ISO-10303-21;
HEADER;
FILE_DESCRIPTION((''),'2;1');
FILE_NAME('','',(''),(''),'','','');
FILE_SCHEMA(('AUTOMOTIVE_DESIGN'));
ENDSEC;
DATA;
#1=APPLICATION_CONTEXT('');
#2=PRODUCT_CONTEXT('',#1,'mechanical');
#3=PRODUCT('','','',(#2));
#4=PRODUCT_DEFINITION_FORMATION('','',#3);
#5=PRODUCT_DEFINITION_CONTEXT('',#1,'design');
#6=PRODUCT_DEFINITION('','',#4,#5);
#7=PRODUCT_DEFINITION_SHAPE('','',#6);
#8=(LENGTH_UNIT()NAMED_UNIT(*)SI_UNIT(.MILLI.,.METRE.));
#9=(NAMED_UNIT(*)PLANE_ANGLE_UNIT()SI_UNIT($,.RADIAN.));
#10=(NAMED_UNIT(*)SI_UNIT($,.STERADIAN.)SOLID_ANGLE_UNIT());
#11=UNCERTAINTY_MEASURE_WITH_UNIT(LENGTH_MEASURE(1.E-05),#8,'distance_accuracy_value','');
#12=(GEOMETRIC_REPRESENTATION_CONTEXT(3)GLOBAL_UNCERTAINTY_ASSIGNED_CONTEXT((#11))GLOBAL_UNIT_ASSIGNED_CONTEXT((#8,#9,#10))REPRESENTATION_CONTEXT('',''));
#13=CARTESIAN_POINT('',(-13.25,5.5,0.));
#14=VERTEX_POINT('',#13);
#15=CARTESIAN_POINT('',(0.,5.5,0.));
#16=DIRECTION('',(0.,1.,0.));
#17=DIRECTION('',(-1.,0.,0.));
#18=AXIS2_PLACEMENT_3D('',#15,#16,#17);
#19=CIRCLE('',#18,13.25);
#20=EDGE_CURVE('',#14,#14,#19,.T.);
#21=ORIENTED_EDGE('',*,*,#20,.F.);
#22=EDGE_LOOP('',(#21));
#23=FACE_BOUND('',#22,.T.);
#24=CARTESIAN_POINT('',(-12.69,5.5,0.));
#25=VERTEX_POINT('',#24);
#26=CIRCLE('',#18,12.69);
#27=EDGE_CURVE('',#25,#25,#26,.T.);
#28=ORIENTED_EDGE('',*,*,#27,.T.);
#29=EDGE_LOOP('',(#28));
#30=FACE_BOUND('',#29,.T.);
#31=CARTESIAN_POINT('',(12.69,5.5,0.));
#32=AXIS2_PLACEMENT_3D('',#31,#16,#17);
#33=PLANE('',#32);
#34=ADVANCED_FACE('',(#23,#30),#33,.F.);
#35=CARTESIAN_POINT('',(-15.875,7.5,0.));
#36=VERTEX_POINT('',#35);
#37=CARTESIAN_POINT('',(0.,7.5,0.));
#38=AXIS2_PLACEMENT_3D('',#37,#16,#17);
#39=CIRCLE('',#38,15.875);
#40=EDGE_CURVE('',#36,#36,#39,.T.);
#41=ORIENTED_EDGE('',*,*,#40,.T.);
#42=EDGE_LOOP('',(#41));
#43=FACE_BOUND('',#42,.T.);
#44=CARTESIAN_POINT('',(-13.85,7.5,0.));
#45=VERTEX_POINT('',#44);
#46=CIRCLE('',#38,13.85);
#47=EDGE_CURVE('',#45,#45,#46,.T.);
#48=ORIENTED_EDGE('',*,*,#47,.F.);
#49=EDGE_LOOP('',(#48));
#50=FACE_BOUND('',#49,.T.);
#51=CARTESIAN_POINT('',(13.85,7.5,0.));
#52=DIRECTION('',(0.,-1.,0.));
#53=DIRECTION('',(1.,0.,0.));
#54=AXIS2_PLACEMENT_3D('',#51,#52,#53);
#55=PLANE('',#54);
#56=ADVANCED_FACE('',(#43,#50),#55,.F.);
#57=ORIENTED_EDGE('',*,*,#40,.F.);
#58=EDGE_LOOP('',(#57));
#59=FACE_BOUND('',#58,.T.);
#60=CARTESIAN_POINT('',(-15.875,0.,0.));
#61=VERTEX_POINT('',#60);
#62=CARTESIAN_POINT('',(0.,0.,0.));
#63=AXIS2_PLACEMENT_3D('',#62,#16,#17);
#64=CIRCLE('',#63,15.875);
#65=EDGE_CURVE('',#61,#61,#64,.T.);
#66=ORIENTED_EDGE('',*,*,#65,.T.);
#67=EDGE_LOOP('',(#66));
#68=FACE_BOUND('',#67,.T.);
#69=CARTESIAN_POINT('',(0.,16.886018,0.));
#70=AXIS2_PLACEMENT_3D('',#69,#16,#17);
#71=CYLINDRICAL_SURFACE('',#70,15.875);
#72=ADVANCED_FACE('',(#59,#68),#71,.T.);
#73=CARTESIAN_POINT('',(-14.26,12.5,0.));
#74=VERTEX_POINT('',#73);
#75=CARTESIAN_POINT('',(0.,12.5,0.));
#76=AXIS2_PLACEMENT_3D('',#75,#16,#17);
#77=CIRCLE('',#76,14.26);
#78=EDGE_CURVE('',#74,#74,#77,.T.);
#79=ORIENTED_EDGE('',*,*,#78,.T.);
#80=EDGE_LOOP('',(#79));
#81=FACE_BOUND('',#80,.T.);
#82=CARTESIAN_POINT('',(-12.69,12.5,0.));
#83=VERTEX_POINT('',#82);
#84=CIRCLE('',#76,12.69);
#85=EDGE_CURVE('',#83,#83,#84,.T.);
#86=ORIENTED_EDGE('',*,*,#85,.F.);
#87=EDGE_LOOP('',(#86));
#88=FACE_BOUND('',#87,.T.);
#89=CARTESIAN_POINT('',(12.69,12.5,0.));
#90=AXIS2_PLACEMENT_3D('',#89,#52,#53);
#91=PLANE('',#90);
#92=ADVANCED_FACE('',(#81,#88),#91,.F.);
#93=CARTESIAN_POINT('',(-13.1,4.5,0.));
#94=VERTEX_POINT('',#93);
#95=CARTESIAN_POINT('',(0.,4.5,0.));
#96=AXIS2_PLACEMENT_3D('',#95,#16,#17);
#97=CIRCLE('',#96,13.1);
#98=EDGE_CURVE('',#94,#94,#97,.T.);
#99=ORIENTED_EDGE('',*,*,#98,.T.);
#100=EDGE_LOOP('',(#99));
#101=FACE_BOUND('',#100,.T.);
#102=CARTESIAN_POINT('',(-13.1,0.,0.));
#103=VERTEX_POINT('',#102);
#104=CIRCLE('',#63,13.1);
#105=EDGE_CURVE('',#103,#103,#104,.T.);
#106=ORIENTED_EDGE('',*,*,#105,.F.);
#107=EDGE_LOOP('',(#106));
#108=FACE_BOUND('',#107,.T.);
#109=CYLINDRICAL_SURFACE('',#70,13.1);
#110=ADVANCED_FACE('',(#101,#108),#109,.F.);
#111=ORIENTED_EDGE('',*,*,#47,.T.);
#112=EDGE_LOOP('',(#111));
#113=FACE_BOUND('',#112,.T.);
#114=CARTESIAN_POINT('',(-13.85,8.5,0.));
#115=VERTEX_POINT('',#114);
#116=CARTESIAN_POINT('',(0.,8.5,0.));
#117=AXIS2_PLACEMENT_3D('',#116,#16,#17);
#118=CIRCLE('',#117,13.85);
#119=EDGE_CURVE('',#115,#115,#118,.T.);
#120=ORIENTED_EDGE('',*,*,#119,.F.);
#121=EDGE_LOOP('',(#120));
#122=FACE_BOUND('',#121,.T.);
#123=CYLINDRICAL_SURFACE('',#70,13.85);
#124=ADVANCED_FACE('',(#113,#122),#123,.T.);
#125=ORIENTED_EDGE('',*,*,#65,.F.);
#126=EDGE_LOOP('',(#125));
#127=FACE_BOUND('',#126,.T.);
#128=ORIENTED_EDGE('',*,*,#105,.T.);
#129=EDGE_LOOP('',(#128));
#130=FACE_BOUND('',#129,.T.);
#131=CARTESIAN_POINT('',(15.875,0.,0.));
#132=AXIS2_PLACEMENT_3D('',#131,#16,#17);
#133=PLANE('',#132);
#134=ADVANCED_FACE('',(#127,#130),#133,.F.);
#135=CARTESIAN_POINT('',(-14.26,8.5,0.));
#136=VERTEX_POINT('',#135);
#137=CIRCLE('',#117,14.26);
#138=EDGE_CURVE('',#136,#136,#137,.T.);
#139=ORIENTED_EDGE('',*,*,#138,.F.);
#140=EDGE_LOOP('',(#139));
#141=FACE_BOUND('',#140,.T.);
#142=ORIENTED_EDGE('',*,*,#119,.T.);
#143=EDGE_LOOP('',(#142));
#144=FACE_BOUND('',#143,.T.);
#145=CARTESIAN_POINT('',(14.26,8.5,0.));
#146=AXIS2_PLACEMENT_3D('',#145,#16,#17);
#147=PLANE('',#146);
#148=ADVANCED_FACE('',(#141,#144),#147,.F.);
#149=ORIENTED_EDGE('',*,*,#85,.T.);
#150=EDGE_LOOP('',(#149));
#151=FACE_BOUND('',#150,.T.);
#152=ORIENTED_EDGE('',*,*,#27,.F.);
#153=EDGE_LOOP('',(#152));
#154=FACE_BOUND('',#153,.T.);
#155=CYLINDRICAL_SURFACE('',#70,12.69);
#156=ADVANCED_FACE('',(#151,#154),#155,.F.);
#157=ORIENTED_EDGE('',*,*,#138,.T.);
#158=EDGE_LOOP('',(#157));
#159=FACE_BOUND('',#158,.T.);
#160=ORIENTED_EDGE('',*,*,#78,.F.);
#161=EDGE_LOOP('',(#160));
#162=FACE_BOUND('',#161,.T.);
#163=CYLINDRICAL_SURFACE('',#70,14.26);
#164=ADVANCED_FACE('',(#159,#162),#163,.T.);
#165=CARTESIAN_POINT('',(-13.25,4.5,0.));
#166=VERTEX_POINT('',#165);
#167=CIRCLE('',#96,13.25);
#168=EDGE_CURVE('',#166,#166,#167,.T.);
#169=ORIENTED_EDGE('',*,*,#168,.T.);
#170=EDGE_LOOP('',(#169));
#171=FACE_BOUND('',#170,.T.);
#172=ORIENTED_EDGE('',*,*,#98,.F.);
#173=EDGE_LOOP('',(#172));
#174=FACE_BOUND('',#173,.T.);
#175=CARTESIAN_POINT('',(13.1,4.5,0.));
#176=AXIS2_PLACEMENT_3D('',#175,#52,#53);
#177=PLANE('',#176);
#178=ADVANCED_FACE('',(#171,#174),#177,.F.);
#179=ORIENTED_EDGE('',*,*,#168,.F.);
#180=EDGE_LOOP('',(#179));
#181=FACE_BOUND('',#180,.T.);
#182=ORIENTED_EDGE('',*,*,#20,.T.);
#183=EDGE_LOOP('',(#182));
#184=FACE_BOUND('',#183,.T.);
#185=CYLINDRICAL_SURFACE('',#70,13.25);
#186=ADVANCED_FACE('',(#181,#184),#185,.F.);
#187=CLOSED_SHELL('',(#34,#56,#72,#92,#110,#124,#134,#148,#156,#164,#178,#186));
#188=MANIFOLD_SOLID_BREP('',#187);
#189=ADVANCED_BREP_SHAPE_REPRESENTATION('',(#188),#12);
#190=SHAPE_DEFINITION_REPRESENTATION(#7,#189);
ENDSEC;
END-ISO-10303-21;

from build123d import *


with BuildPart() as part:
    # 草图1 → 旋转1 (revolve)
    with BuildSketch(Plane.XY, mode=Mode.PRIVATE) as revolve_1_sk:
        Polygon((13.1, 0), (13.1, 4.5), (13.25, 4.5), (13.25, 5.5), (12.69, 5.5), (12.69, 12.5), (14.26, 12.5), (14.26, 8.5), (13.85, 8.5), (13.85, 7.5), (15.875, 7.5), (15.875, 0), align=None)
    revolve(revolve_1_sk.sketch.rotate(Axis((0, 16.886018237, 0), (0, -1, 0)), 180), axis=Axis((0, 16.886018237, 0), (0, -1, 0)))  # turned: the seam where the file's is


solid = part.part
